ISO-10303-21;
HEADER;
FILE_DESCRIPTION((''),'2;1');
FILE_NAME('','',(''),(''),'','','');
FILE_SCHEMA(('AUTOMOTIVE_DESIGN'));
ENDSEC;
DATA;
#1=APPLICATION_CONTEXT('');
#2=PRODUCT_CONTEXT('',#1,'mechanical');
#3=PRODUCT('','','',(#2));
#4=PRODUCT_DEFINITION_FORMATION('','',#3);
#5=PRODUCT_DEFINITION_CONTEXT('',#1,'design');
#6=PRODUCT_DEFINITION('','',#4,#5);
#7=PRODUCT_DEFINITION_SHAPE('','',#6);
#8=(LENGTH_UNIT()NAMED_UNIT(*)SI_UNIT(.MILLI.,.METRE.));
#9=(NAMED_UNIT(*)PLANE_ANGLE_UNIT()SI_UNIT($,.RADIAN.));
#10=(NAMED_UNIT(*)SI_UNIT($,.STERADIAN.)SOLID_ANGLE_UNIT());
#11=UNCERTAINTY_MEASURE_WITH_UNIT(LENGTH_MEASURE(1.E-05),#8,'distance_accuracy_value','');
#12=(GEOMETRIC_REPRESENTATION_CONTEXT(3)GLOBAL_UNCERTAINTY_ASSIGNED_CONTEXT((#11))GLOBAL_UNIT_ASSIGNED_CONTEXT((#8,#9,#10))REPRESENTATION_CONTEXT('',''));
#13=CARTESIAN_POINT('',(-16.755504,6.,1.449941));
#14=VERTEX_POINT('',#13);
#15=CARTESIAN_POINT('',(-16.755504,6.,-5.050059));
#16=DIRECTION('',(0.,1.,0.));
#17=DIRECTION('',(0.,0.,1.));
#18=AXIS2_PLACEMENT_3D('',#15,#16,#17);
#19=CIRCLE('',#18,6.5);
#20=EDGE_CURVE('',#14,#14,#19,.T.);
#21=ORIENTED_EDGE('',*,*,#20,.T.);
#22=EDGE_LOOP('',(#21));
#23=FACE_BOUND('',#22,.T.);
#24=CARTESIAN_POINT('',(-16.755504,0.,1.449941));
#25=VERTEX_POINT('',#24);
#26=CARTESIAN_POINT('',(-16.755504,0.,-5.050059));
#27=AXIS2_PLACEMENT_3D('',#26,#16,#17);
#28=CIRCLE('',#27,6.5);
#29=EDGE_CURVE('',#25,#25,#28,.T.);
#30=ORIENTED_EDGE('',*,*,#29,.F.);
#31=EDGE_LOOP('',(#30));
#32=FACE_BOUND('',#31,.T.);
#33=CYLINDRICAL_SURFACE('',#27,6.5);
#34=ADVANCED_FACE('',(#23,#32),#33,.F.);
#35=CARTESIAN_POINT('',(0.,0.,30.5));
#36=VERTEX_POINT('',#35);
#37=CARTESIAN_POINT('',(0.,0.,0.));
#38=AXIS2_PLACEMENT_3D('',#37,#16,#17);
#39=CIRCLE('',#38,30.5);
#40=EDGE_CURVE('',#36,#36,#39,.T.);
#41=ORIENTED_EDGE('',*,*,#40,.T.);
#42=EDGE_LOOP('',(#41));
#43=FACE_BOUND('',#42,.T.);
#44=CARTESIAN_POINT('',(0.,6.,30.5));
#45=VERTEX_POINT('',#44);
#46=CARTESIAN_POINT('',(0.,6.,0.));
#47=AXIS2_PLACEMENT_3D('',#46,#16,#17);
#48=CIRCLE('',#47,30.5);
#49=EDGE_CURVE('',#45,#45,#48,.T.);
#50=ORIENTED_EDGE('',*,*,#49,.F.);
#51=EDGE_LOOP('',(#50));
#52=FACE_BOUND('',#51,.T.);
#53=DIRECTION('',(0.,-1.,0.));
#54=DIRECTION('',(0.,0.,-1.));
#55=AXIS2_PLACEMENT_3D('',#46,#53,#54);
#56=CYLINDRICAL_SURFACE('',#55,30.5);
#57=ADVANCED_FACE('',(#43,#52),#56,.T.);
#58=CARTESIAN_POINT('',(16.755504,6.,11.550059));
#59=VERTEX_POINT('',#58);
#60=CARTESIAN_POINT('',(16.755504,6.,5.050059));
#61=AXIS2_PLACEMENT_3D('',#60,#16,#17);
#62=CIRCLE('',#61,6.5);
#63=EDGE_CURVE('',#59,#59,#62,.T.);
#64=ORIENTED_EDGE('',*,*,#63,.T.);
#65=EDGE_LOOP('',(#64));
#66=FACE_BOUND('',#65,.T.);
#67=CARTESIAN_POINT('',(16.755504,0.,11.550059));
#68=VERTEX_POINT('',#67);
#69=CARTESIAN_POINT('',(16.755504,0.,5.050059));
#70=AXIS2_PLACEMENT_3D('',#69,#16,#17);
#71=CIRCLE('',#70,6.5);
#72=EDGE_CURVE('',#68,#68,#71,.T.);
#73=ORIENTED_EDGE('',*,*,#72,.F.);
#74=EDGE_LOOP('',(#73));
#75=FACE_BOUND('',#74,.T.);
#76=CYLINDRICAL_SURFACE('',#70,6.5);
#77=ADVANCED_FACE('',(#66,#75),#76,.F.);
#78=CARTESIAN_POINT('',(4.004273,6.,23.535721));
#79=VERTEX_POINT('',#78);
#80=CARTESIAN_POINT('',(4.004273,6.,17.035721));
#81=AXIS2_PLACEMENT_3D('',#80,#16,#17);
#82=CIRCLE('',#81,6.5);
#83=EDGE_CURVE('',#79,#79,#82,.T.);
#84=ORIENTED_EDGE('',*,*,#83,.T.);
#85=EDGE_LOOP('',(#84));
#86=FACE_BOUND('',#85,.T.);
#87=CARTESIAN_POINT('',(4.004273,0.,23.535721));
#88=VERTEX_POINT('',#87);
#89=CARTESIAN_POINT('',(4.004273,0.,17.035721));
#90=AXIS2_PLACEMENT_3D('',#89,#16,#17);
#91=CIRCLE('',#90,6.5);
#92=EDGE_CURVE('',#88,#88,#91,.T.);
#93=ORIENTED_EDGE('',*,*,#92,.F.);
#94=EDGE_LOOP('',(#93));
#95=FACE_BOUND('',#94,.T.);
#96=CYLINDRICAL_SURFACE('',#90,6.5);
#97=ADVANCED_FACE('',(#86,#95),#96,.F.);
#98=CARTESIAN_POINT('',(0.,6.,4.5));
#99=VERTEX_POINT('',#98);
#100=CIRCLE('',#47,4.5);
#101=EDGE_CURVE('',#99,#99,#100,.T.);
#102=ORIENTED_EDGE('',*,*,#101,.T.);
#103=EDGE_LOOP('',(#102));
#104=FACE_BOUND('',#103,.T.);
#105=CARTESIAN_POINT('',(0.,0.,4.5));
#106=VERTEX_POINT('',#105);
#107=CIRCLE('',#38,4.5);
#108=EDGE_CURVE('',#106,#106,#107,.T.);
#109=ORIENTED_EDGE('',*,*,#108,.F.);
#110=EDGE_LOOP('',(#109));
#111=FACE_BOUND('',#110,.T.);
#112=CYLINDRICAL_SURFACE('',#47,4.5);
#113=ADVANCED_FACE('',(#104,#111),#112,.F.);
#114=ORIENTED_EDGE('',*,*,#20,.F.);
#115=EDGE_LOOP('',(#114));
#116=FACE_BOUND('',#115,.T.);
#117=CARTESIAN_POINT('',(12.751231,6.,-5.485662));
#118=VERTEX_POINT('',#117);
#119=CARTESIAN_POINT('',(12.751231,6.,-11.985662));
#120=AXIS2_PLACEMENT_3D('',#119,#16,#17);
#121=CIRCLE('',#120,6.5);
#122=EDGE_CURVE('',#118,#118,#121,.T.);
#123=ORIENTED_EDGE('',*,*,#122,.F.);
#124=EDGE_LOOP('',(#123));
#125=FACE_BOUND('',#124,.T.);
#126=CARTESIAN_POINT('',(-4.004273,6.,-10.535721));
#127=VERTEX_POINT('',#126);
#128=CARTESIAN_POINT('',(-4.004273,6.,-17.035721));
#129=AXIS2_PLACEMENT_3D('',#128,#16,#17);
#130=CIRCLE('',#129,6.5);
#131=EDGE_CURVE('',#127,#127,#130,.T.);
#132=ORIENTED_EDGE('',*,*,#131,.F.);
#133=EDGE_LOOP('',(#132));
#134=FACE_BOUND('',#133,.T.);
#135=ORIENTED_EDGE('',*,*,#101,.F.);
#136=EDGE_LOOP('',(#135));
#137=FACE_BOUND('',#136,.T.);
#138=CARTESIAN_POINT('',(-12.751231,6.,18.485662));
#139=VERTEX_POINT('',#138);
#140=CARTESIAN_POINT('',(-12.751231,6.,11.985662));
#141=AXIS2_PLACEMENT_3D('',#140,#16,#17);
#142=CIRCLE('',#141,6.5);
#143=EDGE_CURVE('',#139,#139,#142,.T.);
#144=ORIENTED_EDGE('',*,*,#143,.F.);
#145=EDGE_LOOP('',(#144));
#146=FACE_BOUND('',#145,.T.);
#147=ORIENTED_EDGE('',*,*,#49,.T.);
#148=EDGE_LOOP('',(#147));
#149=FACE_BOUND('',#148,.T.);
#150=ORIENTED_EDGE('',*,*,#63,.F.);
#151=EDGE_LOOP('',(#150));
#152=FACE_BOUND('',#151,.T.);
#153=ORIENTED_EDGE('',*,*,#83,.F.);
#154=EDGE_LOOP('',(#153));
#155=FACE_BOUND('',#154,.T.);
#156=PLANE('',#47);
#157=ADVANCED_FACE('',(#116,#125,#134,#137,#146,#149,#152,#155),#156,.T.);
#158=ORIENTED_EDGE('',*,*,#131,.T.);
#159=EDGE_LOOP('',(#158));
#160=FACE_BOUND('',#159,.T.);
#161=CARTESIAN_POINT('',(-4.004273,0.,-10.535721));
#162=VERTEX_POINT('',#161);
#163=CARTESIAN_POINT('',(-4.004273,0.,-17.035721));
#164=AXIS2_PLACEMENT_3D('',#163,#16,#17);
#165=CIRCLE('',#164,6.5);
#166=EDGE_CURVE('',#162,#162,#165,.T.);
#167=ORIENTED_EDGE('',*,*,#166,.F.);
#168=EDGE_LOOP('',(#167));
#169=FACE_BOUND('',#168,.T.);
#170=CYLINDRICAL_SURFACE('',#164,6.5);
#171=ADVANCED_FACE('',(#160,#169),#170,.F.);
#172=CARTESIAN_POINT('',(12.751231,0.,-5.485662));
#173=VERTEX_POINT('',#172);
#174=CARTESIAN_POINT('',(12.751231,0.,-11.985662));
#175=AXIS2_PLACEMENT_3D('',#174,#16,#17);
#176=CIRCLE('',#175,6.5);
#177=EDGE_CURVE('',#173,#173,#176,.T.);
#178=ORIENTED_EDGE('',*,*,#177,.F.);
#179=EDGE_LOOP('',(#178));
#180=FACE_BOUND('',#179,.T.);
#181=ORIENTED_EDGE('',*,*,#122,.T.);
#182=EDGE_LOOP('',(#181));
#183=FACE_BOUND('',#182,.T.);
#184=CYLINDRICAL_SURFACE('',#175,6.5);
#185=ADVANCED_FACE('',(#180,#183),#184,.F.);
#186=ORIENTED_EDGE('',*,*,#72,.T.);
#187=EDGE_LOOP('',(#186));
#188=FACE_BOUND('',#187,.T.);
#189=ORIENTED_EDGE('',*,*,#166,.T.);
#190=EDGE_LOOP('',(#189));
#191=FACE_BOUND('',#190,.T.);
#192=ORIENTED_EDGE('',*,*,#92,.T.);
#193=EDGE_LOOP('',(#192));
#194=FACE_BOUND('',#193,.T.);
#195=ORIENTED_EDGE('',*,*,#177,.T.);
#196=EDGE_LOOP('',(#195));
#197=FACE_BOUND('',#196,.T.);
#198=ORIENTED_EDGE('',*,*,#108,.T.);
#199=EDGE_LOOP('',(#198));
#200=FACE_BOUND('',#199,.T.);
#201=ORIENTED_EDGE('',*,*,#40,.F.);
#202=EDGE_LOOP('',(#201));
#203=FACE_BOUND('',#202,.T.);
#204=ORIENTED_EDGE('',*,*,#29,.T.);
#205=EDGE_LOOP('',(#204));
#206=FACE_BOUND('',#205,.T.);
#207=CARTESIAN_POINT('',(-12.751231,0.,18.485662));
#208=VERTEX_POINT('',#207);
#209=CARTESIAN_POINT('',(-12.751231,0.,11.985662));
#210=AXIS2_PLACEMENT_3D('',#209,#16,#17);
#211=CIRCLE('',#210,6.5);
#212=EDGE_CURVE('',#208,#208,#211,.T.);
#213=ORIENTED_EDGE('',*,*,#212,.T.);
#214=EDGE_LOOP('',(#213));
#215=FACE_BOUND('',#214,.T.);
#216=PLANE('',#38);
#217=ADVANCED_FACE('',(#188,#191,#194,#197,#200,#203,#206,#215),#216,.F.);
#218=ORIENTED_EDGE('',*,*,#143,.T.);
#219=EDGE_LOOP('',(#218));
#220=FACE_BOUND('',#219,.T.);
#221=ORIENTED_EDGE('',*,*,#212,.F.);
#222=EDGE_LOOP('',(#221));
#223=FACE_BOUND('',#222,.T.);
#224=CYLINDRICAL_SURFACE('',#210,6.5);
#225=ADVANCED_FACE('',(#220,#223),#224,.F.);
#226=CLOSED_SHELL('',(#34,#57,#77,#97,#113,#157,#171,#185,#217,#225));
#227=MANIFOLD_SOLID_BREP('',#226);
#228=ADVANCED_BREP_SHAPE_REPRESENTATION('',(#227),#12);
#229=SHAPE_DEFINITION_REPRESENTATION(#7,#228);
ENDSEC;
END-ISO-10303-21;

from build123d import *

# Parameters (mm, degrees)
SZKIC2_R                    = 30.5
DODANIE_WYCI_GNI_CIE2_DEPTH = 6
OTW_R_9_0_9_1_D             = 9
SZKIC8_R                    = 6.5
WYTNIJ_WYCI_GNI_CIE2_DEPTH  = 6


with BuildPart() as part:
    # Szkic2 → Dodanie-wyciągnięcie2 (new body)
    with BuildSketch(Plane(origin=(0, 0, 0), x_dir=(1, 0, 0), z_dir=(0, 1, 0))):
        with Locations(Location((0, 0, 0), (0, 0, 270))):
            Circle(SZKIC2_R)
    extrude(amount=DODANIE_WYCI_GNI_CIE2_DEPTH)

    # Otwór Ø9.0 (9)1 (through all)
    with Locations(Plane(origin=(0, 6, 0), x_dir=(1, 0, 0), z_dir=(0, 1, 0))):
        with Locations((0, 0)):
            Hole(OTW_R_9_0_9_1_D / 2)

    # Szkic8 → Wytnij-wyciągnięcie2 (cut)
    with BuildSketch(Plane(origin=(0, 6, 0), x_dir=(1, 0, 0), z_dir=(0, 1, 0))):
        with Locations(Location((-12.751231108, -11.985662487, 0), (0, 0, 270))):
            Circle(SZKIC8_R)
        with Locations(Location((-16.755503748, 5.050058825, 0), (0, 0, 270))):
            Circle(SZKIC8_R)
        with Locations(Location((-4.004272641, 17.035721312, 0), (0, 0, 270))):
            Circle(SZKIC8_R)
        with Locations(Location((12.751231108, 11.985662487, 0), (0, 0, 270))):
            Circle(SZKIC8_R)
        with Locations(Location((16.755503748, -5.050058825, 0), (0, 0, 270))):
            Circle(SZKIC8_R)
        with Locations(Location((4.004272641, -17.035721312, 0), (0, 0, 270))):
            Circle(SZKIC8_R)
    extrude(amount=-WYTNIJ_WYCI_GNI_CIE2_DEPTH, mode=Mode.SUBTRACT)


solid = part.part
